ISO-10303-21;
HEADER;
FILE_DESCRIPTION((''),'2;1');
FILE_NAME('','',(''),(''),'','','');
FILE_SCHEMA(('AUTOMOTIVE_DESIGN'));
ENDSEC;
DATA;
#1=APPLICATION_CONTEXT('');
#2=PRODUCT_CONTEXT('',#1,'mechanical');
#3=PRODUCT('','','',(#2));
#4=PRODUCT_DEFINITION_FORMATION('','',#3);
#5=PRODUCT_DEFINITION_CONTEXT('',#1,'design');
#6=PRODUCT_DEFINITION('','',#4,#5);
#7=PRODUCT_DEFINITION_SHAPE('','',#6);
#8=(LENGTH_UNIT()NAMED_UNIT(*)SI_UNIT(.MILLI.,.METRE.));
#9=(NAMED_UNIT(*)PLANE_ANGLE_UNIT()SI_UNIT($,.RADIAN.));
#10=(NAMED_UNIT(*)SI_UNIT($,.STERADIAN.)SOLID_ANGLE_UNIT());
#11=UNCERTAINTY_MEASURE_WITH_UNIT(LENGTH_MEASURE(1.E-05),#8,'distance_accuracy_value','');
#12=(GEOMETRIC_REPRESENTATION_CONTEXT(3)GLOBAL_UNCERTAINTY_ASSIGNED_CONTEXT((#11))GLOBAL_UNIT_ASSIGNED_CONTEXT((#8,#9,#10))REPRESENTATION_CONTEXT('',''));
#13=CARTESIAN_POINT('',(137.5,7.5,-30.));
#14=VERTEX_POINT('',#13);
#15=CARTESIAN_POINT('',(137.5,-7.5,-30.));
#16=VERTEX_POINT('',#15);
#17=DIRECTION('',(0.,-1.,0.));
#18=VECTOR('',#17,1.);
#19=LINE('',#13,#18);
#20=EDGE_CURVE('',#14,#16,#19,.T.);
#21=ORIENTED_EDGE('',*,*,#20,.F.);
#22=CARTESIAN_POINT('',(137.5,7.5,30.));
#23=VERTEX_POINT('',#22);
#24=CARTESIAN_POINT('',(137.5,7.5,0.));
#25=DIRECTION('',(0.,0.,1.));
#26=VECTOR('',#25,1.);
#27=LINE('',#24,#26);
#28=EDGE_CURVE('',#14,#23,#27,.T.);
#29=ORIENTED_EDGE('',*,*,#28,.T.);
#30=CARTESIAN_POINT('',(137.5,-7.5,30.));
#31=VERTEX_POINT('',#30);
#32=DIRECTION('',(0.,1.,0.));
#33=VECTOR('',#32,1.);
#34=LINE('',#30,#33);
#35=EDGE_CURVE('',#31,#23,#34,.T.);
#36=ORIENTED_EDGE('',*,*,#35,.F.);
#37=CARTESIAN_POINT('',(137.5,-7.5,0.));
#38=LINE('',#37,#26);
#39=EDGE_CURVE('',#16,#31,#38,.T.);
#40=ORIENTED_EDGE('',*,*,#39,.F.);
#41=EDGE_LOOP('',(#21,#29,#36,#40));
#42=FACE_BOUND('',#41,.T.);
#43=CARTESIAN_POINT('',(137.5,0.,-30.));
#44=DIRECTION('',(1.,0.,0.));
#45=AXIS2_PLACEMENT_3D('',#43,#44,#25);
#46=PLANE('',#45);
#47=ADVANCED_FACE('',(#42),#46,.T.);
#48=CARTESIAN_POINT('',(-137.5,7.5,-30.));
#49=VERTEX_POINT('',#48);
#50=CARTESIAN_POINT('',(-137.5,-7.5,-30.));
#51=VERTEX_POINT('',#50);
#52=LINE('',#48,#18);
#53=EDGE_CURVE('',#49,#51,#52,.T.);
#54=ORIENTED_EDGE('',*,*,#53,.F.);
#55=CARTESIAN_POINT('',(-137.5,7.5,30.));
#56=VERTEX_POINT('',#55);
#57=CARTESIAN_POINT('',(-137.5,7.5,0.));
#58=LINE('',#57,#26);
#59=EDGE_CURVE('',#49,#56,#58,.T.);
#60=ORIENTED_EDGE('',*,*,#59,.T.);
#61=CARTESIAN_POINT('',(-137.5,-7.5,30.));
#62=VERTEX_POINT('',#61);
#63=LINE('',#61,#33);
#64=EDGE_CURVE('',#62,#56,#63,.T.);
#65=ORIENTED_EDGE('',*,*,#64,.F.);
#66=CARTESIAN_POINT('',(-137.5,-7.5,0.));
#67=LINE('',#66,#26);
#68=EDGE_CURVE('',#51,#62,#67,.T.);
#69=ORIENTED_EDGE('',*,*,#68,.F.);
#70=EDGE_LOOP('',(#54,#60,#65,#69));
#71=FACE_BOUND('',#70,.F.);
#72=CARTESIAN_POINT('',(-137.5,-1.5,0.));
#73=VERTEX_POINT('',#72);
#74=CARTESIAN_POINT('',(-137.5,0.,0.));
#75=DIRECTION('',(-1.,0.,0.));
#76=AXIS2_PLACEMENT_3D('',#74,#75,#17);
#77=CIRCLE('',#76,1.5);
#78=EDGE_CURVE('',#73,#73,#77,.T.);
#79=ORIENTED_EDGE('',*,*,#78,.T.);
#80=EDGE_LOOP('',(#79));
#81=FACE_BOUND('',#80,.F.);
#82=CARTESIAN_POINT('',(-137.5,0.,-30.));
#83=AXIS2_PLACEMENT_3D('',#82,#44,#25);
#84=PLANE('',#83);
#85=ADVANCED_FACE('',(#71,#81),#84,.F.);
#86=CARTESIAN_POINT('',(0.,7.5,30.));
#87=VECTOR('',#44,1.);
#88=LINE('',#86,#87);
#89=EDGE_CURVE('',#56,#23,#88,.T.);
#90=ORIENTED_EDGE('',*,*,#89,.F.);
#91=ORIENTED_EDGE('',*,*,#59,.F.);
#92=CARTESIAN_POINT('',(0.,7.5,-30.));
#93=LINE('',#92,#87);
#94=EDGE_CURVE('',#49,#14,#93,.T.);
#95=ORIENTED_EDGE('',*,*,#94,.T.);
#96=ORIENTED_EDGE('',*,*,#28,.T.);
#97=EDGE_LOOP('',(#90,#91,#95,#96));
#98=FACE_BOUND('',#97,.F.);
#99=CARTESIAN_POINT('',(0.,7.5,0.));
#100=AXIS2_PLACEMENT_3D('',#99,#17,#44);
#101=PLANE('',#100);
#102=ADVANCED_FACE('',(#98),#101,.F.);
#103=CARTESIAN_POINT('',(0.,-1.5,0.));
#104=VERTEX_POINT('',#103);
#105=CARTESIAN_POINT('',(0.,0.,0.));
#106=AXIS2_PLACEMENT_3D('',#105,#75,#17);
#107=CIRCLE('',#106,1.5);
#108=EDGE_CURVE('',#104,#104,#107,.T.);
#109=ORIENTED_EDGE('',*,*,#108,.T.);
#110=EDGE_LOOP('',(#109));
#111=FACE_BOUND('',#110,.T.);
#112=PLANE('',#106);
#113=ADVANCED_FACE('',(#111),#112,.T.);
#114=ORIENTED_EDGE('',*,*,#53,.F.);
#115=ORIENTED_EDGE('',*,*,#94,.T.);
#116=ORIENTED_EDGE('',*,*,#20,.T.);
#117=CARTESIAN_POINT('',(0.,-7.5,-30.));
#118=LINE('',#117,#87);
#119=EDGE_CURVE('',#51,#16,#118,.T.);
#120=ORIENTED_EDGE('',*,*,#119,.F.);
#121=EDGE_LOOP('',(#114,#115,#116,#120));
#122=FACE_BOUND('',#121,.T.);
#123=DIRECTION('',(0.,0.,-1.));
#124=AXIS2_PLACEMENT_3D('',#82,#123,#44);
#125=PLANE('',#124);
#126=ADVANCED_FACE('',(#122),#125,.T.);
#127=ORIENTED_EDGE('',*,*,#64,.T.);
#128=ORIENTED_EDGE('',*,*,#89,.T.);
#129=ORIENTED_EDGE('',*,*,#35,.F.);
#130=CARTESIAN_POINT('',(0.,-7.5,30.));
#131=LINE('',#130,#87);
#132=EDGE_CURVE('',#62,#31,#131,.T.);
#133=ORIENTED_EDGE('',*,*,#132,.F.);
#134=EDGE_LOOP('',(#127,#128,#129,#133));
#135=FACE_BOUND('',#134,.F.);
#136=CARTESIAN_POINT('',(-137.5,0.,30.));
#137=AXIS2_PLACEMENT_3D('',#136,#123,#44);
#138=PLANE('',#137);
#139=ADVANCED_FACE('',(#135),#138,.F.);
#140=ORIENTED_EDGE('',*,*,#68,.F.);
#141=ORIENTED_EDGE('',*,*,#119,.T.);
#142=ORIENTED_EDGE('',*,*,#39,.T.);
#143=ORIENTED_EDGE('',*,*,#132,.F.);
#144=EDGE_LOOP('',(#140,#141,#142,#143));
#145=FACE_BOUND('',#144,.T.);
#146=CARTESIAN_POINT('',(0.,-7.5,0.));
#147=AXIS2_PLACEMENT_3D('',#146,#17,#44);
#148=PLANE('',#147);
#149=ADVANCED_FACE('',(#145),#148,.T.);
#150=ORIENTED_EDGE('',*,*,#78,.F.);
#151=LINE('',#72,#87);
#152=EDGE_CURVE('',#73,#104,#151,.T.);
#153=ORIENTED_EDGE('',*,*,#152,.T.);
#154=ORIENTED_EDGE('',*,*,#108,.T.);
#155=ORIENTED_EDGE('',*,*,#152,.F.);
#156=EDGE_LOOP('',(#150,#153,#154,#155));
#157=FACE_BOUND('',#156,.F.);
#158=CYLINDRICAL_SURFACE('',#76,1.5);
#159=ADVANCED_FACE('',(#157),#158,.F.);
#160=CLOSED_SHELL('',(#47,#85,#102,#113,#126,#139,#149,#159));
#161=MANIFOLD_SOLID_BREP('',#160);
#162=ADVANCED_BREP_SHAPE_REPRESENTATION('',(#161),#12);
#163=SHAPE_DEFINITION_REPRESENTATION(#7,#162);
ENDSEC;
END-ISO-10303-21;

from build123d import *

# Parameters (mm, degrees)
F0_W     = 275
F0_H     = 60
F1_DEPTH = 7.5
F2_R     = 1.5
F3_DEPTH = 137.5


with BuildPart() as f1:
    # F0 (on Front) → F1 (new body, symmetric)
    with BuildSketch(Plane.XZ):
        Rectangle(F0_W, F0_H)
    extrude(amount=F1_DEPTH, both=True)

    # F2 (on face) → F3 (cut)
    with BuildSketch(Plane(origin=(-137.5, 0, 0), x_dir=(0, -1, 0), z_dir=(-1, 0, 0))):
        Circle(F2_R)
    extrude(amount=-F3_DEPTH, mode=Mode.SUBTRACT)


solid = f1.part
